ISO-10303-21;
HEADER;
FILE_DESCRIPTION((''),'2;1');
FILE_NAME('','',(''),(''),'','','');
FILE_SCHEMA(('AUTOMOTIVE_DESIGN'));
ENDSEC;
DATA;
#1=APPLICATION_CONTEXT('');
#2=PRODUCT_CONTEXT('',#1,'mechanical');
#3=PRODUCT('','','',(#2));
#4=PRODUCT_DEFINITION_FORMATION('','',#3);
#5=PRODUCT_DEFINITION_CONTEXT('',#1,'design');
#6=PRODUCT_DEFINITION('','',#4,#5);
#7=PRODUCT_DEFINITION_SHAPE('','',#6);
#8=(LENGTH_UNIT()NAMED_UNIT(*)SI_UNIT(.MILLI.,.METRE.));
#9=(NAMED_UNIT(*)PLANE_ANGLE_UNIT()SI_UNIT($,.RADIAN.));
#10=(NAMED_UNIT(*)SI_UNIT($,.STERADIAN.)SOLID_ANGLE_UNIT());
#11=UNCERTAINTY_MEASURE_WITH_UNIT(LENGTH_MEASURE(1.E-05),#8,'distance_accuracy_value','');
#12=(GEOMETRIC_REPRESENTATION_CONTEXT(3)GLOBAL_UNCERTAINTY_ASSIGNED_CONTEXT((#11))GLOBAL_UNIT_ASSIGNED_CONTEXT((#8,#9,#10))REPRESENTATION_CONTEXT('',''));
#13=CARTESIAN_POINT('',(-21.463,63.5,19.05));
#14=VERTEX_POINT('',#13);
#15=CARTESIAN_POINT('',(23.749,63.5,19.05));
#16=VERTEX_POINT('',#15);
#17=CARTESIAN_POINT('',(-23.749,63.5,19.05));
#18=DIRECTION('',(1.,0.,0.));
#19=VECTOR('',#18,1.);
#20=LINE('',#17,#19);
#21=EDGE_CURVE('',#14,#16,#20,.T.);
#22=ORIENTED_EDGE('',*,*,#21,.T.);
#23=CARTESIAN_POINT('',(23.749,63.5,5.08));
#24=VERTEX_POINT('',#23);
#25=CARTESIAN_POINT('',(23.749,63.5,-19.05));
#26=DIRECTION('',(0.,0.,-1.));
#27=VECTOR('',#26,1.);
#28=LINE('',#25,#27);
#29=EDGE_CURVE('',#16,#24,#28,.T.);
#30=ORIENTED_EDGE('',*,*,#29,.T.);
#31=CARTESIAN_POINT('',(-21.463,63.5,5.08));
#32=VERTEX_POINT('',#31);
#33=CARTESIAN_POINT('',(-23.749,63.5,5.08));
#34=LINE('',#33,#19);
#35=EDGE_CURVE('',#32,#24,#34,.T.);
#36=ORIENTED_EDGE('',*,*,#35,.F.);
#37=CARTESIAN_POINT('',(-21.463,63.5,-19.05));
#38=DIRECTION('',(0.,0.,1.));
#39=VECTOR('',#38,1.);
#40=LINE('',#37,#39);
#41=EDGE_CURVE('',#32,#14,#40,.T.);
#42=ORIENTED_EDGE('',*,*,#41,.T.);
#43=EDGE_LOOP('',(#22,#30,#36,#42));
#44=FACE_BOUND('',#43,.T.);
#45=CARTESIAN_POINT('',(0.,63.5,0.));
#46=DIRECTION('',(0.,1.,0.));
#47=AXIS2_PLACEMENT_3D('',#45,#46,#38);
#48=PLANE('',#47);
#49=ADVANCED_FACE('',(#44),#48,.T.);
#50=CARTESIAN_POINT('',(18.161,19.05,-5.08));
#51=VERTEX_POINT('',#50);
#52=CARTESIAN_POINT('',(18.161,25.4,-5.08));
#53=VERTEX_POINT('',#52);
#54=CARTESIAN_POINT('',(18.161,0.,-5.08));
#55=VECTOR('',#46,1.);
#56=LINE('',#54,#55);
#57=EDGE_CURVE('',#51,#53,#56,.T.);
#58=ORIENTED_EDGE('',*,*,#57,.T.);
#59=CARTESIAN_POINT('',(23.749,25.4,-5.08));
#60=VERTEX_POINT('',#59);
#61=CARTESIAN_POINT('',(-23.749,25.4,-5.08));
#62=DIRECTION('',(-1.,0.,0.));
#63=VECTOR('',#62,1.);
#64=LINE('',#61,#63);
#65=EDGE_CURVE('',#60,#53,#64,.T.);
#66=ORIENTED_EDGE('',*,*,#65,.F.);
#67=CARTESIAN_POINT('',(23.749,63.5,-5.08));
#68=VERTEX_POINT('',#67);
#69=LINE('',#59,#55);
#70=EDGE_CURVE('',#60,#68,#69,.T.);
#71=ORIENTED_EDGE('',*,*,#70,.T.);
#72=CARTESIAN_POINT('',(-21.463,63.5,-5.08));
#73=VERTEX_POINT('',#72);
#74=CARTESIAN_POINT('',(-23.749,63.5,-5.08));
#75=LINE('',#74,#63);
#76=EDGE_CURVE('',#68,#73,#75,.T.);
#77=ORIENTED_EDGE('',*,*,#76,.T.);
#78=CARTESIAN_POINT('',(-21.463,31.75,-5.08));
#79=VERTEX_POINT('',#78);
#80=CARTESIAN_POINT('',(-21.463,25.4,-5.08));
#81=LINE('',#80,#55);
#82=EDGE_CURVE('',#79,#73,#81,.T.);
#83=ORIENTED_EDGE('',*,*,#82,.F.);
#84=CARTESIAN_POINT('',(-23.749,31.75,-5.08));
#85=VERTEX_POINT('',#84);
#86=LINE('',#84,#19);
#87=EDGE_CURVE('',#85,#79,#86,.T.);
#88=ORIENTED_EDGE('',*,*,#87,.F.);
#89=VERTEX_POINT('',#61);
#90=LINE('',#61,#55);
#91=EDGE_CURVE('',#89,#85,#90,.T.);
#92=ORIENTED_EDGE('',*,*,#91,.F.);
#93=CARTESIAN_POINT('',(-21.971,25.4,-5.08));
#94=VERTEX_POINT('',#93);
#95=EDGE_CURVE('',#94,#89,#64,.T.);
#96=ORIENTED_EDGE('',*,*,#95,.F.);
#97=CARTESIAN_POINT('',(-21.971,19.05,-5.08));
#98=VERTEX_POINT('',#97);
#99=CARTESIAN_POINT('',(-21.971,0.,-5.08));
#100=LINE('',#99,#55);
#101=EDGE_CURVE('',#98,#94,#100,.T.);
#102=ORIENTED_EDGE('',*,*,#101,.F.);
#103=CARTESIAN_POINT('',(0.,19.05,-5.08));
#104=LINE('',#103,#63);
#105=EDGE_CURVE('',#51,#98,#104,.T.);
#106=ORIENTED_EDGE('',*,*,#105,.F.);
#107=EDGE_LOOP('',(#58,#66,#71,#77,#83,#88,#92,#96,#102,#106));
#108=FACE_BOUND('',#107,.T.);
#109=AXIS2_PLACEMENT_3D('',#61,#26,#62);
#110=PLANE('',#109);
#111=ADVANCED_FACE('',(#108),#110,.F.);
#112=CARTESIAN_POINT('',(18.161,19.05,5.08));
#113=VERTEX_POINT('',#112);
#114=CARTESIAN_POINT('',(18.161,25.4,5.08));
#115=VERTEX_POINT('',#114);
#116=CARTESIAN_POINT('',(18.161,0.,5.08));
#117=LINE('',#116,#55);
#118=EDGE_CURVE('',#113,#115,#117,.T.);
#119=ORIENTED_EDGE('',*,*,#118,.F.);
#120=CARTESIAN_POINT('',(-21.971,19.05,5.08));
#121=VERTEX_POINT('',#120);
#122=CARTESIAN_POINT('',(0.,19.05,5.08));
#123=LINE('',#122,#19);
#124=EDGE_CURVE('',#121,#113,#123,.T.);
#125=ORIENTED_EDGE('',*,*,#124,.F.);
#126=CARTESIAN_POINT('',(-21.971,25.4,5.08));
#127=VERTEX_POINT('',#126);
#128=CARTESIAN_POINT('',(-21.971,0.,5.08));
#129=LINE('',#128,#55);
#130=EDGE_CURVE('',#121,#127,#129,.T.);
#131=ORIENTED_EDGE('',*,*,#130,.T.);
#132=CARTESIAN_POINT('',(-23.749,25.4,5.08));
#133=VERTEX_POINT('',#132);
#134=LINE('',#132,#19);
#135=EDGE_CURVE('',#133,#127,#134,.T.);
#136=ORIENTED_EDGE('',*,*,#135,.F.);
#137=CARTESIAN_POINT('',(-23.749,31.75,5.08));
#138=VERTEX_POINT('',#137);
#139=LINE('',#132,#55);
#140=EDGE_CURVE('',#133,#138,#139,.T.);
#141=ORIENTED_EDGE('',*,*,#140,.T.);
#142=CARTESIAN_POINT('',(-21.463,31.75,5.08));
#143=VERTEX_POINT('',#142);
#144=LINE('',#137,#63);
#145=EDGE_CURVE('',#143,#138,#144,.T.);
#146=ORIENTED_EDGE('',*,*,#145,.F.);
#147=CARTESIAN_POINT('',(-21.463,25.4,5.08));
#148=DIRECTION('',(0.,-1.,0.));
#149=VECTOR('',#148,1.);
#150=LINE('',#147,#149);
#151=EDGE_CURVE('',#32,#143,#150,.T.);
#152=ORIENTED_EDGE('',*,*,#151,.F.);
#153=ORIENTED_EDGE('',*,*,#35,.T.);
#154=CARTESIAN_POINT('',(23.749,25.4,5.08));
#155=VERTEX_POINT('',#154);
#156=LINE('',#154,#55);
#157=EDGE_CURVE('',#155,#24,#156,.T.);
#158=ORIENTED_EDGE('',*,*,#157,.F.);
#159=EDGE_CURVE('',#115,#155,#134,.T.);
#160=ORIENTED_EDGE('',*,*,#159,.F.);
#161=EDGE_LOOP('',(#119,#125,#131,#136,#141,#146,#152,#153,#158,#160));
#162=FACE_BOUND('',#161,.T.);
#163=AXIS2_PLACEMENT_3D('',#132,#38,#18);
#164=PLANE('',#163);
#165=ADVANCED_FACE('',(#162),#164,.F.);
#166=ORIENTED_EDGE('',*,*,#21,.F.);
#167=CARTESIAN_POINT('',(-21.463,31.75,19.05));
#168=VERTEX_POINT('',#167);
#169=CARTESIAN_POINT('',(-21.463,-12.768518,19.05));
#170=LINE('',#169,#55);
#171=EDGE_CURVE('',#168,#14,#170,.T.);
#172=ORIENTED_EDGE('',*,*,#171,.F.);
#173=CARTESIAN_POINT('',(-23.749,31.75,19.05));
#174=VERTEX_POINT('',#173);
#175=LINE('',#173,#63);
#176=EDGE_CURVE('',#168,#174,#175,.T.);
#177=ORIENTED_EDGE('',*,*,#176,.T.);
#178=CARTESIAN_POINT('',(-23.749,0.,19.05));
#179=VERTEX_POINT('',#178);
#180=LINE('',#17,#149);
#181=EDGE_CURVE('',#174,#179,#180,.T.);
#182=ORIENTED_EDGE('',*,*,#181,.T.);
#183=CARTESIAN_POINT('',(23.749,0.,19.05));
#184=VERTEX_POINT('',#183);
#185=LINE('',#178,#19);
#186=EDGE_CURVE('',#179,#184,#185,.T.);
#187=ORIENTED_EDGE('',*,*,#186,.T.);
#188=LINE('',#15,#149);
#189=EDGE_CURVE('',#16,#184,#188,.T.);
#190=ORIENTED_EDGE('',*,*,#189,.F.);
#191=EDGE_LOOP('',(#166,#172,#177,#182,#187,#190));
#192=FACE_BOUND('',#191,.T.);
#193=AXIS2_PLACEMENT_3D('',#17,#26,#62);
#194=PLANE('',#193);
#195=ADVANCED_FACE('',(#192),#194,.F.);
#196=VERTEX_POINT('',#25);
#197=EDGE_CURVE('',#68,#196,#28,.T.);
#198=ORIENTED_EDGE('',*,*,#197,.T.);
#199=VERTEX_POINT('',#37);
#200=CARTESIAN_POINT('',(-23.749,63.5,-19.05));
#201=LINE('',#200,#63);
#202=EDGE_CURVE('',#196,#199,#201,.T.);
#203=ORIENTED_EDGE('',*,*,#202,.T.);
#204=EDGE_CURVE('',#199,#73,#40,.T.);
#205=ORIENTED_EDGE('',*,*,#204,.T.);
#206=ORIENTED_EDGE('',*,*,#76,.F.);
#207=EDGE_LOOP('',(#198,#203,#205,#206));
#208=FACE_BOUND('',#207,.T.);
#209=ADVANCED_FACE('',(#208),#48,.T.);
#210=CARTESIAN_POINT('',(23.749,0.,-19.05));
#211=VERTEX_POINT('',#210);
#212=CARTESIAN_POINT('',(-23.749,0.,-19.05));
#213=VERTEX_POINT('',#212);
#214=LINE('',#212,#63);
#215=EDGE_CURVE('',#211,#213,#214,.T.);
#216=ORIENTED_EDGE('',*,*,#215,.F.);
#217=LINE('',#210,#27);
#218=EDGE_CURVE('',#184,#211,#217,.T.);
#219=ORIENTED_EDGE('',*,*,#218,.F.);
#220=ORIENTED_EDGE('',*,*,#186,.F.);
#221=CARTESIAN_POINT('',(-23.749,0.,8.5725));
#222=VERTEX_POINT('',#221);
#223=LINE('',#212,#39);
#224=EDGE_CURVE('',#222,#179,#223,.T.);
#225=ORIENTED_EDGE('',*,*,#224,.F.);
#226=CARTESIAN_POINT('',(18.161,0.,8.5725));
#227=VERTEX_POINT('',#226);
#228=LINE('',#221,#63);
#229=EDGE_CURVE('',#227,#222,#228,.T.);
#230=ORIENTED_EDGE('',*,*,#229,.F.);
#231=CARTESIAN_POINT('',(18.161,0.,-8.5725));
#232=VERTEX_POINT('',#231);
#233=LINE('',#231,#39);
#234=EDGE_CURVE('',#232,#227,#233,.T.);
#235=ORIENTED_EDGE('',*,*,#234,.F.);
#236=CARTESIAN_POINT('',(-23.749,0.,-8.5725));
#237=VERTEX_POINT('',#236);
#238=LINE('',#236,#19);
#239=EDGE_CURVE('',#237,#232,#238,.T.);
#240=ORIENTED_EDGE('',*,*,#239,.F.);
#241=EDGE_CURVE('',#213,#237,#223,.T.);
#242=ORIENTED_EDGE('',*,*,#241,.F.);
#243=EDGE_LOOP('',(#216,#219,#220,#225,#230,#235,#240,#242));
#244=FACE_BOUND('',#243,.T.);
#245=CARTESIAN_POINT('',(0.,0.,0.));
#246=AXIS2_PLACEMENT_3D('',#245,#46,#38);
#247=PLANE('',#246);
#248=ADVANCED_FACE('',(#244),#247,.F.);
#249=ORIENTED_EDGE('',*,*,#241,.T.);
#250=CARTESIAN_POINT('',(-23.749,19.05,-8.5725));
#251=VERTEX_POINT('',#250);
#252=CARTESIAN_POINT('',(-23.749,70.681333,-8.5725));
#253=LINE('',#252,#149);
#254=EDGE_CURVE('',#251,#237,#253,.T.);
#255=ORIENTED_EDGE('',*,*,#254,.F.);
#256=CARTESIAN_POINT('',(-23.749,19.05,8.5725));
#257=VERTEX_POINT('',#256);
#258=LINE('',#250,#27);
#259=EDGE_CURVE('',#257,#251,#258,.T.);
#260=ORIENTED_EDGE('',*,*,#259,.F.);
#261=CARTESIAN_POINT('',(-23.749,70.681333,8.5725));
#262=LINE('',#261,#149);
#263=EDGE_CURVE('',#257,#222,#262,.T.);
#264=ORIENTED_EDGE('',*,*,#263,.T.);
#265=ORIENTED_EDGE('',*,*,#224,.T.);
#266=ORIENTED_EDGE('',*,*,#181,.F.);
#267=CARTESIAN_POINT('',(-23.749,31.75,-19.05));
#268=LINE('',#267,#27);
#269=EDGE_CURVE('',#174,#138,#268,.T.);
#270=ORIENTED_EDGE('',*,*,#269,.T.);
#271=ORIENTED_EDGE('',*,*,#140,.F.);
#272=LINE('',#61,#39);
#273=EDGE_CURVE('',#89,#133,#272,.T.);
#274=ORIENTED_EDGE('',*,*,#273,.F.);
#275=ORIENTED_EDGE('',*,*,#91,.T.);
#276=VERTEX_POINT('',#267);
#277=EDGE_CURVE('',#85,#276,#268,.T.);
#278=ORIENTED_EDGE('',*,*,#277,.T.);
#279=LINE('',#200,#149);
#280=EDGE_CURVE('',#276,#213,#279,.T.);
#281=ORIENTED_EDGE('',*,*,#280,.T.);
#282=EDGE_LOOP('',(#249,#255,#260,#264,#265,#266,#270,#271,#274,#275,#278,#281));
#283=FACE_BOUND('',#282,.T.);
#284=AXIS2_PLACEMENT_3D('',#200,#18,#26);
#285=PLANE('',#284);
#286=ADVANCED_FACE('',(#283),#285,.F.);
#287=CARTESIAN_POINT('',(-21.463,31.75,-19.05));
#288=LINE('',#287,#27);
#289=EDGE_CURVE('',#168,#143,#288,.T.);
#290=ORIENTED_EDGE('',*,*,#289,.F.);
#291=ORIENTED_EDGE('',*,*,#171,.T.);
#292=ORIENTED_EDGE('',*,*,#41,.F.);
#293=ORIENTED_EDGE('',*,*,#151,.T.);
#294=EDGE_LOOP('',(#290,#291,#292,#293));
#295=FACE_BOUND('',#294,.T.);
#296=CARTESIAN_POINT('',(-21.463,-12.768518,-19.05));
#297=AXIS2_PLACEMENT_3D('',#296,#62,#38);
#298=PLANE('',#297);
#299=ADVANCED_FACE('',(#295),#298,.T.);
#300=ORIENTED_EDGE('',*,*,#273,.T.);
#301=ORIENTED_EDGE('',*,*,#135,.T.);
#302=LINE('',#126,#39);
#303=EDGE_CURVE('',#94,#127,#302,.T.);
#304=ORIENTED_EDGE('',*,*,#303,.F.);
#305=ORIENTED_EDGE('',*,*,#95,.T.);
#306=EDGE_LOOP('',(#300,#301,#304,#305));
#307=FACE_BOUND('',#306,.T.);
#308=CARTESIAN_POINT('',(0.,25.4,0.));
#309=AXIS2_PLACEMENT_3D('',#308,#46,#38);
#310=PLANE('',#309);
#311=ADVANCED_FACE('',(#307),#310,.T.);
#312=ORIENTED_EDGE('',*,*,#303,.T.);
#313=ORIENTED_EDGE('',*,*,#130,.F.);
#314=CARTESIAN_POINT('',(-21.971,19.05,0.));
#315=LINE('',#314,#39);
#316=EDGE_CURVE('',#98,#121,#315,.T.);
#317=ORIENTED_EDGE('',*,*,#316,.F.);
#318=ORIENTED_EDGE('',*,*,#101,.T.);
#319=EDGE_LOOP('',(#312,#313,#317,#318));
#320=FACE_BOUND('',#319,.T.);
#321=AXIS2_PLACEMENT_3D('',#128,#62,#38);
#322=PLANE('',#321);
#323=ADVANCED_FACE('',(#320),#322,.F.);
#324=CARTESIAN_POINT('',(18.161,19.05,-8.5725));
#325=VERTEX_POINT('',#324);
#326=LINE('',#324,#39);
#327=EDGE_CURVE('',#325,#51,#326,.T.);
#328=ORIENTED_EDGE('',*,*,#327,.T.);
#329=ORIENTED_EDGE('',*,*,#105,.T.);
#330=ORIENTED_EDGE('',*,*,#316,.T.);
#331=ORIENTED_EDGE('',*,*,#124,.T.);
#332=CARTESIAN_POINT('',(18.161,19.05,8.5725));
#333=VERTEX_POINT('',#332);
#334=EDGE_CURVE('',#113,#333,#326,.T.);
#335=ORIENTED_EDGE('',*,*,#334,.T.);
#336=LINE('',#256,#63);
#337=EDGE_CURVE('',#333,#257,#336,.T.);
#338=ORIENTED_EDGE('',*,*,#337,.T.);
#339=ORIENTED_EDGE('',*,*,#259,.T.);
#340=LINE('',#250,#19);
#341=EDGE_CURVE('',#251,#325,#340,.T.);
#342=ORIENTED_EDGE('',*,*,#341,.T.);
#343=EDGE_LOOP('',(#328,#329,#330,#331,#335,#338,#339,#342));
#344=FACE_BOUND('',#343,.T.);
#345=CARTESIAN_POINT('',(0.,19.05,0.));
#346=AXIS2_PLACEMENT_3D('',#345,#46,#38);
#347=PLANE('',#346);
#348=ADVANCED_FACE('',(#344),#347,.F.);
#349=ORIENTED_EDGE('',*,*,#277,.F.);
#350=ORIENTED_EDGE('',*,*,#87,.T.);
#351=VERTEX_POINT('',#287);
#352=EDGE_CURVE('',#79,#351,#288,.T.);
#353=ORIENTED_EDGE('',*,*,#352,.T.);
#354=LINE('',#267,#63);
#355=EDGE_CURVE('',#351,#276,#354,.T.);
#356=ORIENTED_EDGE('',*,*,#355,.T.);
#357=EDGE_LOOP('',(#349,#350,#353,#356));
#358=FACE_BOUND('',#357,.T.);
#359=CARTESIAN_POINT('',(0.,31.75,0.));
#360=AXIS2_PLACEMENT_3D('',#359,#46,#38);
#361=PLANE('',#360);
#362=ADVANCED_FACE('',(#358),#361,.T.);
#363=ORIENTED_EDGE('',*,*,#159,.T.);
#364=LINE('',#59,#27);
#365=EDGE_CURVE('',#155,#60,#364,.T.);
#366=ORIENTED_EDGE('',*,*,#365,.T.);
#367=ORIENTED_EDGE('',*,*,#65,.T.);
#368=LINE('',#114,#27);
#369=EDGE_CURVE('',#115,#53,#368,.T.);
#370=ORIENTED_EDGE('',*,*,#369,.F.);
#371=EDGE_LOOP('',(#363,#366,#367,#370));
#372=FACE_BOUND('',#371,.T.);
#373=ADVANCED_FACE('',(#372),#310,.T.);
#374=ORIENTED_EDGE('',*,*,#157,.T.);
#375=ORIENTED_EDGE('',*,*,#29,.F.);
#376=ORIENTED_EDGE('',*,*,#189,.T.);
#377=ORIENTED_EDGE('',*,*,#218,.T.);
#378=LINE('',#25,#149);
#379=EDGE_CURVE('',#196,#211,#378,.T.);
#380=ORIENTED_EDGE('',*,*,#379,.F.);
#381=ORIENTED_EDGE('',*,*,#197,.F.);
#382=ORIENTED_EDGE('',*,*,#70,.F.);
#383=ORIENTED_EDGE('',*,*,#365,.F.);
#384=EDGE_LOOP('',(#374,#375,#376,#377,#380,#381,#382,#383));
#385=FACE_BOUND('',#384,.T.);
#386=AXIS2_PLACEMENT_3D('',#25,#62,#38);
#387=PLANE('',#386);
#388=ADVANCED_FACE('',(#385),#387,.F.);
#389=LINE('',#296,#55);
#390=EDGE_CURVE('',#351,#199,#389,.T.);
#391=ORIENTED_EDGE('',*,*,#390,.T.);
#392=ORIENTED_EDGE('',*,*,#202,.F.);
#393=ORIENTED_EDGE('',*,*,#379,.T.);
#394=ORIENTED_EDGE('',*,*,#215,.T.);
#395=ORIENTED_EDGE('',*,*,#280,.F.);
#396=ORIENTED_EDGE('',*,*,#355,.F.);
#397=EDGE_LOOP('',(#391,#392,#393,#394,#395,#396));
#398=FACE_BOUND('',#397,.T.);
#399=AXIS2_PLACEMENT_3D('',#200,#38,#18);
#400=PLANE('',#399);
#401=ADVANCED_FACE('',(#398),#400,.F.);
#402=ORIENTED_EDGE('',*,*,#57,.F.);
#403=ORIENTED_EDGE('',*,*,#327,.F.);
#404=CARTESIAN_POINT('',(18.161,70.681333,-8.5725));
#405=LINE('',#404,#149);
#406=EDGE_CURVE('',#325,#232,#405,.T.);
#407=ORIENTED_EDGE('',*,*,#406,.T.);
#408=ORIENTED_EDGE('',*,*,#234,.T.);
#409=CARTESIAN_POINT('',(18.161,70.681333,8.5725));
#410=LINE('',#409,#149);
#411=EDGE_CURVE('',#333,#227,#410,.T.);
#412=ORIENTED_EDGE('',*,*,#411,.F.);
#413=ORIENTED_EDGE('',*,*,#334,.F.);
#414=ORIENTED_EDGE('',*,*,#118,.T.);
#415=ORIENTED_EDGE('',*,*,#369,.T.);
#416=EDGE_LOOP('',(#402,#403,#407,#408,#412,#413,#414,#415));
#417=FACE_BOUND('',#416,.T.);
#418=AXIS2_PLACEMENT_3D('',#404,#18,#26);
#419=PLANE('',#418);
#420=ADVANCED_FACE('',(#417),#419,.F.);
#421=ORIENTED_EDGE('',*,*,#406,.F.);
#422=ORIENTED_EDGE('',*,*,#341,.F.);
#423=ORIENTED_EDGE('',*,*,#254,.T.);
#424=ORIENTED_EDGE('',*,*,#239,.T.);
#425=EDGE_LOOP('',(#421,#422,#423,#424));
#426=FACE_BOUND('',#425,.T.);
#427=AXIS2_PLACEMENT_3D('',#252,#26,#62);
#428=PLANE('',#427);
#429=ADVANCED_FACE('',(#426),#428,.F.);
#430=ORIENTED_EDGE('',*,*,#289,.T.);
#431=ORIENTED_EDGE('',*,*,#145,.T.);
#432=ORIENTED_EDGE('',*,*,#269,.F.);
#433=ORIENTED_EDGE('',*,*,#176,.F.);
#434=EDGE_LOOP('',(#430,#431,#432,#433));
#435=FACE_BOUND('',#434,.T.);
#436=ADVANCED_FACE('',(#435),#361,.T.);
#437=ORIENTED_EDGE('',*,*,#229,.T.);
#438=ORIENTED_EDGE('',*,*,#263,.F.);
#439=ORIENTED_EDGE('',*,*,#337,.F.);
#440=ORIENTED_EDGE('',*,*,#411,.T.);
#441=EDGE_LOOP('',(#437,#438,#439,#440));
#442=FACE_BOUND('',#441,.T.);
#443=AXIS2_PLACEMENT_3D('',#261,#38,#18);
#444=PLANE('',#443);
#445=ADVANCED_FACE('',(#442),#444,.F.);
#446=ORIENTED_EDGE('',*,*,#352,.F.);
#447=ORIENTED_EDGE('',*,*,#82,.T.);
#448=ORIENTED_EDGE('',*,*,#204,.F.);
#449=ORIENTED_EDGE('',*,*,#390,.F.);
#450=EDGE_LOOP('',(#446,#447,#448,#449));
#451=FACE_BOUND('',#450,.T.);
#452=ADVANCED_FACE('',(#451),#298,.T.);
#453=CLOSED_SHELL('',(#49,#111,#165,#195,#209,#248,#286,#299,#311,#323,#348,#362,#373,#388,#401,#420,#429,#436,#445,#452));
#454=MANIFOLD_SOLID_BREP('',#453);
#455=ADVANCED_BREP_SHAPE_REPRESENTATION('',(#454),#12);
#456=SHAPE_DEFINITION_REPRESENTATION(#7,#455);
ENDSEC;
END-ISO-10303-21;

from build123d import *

# Parameters (mm, degrees)
SKETCH1_W           = 47.498
SKETCH1_H           = 38.1
BOSS_EXTRUDE1_DEPTH = 63.5
SKETCH3_W           = 47.498
SKETCH3_H           = 10.16
CUT_EXTRUDE1_DEPTH  = 38.1
SKETCH4_W           = 41.91
SKETCH4_H           = 17.145
CUT_EXTRUDE2_DEPTH  = 19.05
SKETCH5_W           = 40.132
SKETCH5_H           = 10.16
CUT_EXTRUDE3_DEPTH  = 49.770149692
SKETCH6_W           = 2.286
SKETCH6_H           = 38.1
CUT_EXTRUDE4_DEPTH  = 31.75


with BuildPart() as part:
    # Sketch1 → Boss-Extrude1 (new body)
    with BuildSketch(Plane(origin=(0, 0, 0), x_dir=(1, 0, 0), z_dir=(0, 1, 0))):
        Rectangle(SKETCH1_W, SKETCH1_H)
    extrude(amount=BOSS_EXTRUDE1_DEPTH)

    # Sketch3 → Cut-Extrude1 (cut)
    with BuildSketch(Plane(origin=(0, 63.5, 0), x_dir=(1, 0, 0), z_dir=(0, 1, 0))):
        Rectangle(SKETCH3_W, SKETCH3_H)
    extrude(amount=-CUT_EXTRUDE1_DEPTH, mode=Mode.SUBTRACT)

    # Sketch4 → Cut-Extrude2 (cut)
    with BuildSketch(Plane.XZ):
        with Locations((-2.794, 0)):
            Rectangle(SKETCH4_W, SKETCH4_H)
    extrude(amount=-CUT_EXTRUDE2_DEPTH, mode=Mode.SUBTRACT)

    # Sketch5 → Cut-Extrude3 (cut, through all)
    with BuildSketch(Plane(origin=(0, 25.4, 0), x_dir=(1, 0, 0), z_dir=(0, 1, 0))):
        with Locations((-1.905, 0)):
            Rectangle(SKETCH5_W, SKETCH5_H)
    extrude(amount=-CUT_EXTRUDE3_DEPTH, mode=Mode.SUBTRACT)

    # Sketch6 → Cut-Extrude4 (cut)
    with BuildSketch(Plane(origin=(0, 63.5, 0), x_dir=(1, 0, 0), z_dir=(0, 1, 0))):
        with Locations((-22.606, 0)):
            Rectangle(SKETCH6_W, SKETCH6_H)
    extrude(amount=-CUT_EXTRUDE4_DEPTH, mode=Mode.SUBTRACT)


solid = part.part
